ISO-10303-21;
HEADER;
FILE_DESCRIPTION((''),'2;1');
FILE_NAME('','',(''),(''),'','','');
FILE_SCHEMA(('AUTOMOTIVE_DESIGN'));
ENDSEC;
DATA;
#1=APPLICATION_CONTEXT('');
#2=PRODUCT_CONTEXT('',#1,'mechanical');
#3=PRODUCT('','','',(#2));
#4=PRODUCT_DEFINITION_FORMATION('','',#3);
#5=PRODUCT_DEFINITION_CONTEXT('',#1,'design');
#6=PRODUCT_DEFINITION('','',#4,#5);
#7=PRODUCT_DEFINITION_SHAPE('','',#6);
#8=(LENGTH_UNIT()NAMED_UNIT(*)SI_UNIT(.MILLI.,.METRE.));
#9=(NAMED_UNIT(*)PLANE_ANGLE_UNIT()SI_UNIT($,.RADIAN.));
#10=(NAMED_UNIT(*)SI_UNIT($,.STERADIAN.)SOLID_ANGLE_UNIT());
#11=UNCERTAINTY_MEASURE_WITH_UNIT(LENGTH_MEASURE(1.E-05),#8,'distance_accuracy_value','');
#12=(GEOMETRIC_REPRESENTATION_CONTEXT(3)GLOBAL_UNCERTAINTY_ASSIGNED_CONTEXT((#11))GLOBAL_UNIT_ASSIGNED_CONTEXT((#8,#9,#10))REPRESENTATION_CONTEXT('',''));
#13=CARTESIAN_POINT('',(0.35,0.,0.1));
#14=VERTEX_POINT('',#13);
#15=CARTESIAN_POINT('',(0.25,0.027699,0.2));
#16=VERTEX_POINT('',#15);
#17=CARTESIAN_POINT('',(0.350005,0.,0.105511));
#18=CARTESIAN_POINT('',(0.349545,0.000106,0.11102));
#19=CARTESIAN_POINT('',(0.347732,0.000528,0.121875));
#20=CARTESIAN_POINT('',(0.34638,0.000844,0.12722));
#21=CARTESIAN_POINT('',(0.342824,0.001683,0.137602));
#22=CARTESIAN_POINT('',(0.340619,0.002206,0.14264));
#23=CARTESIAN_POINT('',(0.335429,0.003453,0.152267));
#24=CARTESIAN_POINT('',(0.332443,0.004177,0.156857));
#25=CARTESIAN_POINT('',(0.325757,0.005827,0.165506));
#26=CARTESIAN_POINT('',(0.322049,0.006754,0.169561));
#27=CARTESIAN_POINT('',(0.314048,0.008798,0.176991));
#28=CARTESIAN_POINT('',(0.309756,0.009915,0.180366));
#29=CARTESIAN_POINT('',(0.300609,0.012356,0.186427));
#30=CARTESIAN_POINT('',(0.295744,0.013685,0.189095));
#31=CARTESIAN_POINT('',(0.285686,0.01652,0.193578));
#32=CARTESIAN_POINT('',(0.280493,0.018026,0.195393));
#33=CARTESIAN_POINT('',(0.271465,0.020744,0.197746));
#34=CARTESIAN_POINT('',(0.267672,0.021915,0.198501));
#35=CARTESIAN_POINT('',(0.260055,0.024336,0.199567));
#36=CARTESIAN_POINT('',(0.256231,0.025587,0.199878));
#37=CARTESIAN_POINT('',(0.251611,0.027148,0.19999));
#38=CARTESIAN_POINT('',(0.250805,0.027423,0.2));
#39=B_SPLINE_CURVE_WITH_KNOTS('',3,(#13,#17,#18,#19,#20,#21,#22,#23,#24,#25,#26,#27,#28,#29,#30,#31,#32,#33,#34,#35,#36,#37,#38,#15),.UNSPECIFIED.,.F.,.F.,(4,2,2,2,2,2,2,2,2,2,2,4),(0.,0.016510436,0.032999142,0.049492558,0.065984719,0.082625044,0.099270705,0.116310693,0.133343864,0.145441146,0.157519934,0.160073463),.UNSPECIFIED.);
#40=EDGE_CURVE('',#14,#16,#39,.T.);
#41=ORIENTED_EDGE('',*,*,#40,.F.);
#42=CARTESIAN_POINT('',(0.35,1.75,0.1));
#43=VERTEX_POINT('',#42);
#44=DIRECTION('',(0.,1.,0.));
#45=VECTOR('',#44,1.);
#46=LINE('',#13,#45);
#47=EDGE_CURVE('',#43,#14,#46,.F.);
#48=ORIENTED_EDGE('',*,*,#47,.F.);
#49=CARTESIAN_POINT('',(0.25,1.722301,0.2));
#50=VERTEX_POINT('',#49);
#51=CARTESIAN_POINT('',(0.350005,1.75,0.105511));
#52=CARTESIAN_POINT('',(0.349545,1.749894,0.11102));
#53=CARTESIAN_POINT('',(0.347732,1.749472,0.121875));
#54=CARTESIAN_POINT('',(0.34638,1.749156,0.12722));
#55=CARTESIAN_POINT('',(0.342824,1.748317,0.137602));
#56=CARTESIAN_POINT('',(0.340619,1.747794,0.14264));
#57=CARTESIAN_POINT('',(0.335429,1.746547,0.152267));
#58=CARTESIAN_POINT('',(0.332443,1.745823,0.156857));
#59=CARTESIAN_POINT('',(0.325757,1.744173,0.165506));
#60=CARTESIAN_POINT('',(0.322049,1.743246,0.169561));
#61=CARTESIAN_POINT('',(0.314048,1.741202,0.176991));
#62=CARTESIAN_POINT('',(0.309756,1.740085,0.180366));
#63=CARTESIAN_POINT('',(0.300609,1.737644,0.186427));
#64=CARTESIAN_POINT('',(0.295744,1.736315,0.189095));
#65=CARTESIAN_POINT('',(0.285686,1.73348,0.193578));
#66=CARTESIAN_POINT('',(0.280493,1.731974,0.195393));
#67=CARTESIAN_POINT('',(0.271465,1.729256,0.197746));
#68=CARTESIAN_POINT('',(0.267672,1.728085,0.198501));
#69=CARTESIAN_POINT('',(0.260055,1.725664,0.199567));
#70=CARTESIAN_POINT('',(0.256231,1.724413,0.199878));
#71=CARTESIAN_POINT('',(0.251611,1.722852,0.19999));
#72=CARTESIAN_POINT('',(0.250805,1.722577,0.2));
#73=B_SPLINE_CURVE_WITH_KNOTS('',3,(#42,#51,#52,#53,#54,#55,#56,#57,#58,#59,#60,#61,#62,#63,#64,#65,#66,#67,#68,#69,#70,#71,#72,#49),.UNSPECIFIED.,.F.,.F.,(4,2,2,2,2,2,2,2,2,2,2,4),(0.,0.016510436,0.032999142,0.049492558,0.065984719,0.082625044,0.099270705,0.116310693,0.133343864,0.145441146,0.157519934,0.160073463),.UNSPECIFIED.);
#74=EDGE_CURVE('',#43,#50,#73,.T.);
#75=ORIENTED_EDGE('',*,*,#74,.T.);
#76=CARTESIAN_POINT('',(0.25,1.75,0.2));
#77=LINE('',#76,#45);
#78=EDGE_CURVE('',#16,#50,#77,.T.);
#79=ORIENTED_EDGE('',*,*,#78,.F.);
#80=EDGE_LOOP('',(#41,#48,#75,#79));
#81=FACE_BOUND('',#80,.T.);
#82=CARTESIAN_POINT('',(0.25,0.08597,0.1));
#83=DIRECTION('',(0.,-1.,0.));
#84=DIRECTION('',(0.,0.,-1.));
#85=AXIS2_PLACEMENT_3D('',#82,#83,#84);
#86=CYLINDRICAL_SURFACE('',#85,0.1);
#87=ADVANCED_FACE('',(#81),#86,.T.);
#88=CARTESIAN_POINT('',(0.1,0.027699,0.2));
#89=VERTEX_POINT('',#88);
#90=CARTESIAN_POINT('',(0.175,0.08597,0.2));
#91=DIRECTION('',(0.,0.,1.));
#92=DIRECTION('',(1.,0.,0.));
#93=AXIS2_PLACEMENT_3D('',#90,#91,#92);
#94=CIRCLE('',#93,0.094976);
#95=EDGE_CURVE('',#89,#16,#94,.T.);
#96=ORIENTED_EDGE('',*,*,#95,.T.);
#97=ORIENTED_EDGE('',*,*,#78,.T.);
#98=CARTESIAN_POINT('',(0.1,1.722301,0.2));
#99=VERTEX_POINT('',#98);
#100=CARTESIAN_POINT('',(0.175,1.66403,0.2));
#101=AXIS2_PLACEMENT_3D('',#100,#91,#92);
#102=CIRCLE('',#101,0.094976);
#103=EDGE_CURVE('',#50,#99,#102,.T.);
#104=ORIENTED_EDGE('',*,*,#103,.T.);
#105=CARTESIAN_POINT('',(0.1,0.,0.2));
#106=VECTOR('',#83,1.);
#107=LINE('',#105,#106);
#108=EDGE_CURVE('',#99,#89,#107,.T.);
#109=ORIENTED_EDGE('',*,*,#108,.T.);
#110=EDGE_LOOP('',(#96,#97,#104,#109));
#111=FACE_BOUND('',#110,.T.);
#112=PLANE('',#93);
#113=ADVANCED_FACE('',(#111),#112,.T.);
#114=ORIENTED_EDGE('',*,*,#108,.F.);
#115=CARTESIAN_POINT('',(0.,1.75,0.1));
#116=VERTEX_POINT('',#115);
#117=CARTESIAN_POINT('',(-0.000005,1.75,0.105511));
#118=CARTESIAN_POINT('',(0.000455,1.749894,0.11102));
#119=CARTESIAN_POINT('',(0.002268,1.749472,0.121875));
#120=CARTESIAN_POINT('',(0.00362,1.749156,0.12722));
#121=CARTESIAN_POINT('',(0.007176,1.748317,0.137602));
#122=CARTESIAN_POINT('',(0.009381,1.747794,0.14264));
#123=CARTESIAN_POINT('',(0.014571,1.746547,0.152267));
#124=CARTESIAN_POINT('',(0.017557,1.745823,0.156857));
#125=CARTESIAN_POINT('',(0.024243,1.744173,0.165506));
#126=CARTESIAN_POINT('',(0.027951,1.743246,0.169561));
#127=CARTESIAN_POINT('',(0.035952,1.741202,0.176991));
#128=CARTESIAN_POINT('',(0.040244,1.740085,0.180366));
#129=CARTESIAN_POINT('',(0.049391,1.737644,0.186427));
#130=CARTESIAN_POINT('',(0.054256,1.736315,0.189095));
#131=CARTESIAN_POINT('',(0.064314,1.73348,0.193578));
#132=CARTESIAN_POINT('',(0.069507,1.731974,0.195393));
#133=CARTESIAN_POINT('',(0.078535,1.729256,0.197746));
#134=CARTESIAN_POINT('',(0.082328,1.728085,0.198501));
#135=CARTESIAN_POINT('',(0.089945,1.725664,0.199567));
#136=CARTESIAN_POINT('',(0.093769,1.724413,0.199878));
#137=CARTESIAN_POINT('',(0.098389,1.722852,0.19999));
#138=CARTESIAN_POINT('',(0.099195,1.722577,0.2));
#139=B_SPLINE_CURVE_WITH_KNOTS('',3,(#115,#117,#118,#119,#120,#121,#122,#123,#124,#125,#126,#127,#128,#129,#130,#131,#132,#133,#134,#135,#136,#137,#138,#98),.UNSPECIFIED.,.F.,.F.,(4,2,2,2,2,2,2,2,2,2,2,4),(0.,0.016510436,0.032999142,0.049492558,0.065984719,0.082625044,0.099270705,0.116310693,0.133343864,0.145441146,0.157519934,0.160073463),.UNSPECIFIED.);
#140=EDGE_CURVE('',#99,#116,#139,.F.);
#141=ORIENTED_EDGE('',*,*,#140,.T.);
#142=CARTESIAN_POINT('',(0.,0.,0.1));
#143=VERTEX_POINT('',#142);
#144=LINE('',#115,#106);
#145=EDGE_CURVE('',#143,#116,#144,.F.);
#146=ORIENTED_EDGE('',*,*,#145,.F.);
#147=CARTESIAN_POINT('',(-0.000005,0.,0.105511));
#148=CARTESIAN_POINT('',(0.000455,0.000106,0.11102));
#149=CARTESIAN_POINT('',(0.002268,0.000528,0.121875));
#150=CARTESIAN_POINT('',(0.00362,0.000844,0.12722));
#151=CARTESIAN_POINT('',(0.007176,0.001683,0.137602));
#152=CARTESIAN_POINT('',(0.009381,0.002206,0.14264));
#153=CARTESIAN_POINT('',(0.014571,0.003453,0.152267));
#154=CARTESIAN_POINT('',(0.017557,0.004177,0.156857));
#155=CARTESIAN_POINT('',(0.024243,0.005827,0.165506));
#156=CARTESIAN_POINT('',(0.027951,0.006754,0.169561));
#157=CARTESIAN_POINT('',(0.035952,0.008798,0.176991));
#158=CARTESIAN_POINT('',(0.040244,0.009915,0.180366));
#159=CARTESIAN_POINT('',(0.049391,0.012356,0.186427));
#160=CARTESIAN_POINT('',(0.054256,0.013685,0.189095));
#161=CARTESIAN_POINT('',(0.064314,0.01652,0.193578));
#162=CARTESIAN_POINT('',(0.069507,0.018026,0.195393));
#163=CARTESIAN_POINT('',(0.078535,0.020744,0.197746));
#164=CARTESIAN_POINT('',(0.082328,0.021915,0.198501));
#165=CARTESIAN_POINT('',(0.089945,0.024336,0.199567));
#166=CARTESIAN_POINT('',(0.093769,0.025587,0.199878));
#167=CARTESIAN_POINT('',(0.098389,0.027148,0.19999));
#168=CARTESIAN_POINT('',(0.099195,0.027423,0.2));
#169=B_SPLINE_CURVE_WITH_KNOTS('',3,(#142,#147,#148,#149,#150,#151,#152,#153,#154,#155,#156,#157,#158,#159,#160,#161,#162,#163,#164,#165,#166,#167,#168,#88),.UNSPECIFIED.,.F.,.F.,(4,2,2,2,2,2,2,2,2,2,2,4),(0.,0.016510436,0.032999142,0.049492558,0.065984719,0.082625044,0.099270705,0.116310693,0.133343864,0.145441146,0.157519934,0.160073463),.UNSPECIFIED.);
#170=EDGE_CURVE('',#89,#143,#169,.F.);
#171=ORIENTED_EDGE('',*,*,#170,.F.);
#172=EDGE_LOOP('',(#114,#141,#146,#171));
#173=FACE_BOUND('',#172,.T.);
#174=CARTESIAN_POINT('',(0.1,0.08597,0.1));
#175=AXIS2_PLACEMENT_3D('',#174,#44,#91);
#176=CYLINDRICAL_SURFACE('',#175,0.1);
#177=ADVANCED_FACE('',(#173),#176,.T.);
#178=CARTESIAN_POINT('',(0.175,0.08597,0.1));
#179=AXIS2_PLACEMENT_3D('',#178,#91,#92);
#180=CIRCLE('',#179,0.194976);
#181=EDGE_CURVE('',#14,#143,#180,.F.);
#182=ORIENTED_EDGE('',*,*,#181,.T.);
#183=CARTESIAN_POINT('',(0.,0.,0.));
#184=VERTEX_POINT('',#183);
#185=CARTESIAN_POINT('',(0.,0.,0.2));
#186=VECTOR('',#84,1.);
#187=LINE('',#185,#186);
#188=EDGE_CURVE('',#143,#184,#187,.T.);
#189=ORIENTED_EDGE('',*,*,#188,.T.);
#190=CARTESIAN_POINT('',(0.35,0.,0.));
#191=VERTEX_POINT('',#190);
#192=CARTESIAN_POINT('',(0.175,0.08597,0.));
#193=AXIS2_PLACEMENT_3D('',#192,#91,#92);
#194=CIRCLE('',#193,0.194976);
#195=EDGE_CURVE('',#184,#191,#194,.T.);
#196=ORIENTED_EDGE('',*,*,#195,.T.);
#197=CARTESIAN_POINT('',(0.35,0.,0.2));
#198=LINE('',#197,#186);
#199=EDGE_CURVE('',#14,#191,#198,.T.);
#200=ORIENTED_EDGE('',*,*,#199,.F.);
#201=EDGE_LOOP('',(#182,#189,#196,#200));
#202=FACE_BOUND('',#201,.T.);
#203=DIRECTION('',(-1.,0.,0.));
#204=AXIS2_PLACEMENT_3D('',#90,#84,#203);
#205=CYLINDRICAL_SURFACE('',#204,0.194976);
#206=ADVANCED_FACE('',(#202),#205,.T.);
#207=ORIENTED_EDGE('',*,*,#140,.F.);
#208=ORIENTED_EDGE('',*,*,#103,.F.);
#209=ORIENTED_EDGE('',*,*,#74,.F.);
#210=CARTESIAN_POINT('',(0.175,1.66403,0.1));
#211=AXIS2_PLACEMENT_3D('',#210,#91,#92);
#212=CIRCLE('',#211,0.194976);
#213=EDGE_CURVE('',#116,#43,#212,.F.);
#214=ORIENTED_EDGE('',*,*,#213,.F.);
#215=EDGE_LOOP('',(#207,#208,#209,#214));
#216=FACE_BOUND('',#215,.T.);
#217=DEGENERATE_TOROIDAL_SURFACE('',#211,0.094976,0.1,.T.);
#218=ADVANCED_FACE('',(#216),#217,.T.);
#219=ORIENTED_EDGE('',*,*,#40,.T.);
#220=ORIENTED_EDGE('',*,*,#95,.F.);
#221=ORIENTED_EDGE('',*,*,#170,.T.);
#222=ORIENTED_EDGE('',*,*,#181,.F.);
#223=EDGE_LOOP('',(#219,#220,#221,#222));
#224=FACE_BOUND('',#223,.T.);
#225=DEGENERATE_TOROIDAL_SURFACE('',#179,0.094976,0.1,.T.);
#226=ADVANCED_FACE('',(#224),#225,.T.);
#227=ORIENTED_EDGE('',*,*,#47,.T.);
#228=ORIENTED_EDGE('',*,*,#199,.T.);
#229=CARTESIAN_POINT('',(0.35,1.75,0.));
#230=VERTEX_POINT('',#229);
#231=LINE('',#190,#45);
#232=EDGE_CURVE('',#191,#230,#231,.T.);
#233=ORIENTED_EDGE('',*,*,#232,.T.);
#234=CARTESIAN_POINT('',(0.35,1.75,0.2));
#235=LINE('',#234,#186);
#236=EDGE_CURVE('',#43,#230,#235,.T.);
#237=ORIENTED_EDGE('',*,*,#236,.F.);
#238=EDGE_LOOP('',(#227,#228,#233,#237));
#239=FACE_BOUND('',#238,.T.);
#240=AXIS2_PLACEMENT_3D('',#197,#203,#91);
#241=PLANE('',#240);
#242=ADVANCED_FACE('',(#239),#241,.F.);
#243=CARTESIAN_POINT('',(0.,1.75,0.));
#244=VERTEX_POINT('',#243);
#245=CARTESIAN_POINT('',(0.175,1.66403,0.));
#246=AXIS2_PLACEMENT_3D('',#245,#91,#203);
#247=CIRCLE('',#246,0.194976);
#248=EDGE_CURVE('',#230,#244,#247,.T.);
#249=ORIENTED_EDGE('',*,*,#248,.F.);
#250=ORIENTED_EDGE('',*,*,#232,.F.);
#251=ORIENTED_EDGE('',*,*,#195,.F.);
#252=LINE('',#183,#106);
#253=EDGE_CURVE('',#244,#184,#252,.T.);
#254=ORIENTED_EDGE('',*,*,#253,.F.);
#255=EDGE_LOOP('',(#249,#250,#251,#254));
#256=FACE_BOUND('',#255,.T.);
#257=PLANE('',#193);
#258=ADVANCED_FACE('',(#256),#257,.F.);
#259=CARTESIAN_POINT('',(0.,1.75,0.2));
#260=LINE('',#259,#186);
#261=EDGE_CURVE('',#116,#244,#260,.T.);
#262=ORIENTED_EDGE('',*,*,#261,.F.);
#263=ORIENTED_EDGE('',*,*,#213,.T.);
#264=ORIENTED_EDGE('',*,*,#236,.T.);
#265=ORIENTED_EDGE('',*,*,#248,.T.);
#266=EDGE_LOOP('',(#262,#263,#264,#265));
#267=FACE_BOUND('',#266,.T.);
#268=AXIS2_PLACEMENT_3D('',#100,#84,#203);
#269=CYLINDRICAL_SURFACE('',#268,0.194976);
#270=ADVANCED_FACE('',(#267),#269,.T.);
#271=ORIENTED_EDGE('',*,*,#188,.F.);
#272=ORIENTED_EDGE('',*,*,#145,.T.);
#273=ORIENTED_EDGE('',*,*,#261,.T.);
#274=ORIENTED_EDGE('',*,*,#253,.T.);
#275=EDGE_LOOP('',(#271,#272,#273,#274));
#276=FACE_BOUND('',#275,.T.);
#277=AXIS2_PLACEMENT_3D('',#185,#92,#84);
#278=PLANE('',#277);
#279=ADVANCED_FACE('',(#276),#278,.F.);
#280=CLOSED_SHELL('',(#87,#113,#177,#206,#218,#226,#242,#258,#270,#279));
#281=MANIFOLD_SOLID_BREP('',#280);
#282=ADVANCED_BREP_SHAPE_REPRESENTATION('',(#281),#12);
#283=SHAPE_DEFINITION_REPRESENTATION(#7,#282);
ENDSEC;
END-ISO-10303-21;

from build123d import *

# Parameters (mm, degrees)
BOSS_EXTRU_1_DEPTH = 0.2
CONG_1_R           = 0.1


with BuildPart() as part:
    # Esquisse1 → Boss.-Extru.1 (new body)
    with BuildSketch(Plane.XY):
        with BuildLine():
            Line((0, 0), (0, 1.75))
            ThreePointArc((0, 1.75), (0.175, 1.859006611), (0.35, 1.75))
            Line((0.35, 1.75), (0.35, 0))
            ThreePointArc((0.35, 0), (0.175, -0.109006611), (0, 0))
        make_face()
    extrude(amount=BOSS_EXTRU_1_DEPTH)

    # Congé1
    cong_1_edges = [part.edges().sort_by_distance(p)[0] for p in [
        (0.175, 1.859006611, 0.2),
        (0, 0.875, 0.2),
        (0.175, -0.109006611, 0.2),
        (0.35, 0.875, 0.2),
    ]]
    fillet(cong_1_edges, radius=CONG_1_R)


solid = part.part
